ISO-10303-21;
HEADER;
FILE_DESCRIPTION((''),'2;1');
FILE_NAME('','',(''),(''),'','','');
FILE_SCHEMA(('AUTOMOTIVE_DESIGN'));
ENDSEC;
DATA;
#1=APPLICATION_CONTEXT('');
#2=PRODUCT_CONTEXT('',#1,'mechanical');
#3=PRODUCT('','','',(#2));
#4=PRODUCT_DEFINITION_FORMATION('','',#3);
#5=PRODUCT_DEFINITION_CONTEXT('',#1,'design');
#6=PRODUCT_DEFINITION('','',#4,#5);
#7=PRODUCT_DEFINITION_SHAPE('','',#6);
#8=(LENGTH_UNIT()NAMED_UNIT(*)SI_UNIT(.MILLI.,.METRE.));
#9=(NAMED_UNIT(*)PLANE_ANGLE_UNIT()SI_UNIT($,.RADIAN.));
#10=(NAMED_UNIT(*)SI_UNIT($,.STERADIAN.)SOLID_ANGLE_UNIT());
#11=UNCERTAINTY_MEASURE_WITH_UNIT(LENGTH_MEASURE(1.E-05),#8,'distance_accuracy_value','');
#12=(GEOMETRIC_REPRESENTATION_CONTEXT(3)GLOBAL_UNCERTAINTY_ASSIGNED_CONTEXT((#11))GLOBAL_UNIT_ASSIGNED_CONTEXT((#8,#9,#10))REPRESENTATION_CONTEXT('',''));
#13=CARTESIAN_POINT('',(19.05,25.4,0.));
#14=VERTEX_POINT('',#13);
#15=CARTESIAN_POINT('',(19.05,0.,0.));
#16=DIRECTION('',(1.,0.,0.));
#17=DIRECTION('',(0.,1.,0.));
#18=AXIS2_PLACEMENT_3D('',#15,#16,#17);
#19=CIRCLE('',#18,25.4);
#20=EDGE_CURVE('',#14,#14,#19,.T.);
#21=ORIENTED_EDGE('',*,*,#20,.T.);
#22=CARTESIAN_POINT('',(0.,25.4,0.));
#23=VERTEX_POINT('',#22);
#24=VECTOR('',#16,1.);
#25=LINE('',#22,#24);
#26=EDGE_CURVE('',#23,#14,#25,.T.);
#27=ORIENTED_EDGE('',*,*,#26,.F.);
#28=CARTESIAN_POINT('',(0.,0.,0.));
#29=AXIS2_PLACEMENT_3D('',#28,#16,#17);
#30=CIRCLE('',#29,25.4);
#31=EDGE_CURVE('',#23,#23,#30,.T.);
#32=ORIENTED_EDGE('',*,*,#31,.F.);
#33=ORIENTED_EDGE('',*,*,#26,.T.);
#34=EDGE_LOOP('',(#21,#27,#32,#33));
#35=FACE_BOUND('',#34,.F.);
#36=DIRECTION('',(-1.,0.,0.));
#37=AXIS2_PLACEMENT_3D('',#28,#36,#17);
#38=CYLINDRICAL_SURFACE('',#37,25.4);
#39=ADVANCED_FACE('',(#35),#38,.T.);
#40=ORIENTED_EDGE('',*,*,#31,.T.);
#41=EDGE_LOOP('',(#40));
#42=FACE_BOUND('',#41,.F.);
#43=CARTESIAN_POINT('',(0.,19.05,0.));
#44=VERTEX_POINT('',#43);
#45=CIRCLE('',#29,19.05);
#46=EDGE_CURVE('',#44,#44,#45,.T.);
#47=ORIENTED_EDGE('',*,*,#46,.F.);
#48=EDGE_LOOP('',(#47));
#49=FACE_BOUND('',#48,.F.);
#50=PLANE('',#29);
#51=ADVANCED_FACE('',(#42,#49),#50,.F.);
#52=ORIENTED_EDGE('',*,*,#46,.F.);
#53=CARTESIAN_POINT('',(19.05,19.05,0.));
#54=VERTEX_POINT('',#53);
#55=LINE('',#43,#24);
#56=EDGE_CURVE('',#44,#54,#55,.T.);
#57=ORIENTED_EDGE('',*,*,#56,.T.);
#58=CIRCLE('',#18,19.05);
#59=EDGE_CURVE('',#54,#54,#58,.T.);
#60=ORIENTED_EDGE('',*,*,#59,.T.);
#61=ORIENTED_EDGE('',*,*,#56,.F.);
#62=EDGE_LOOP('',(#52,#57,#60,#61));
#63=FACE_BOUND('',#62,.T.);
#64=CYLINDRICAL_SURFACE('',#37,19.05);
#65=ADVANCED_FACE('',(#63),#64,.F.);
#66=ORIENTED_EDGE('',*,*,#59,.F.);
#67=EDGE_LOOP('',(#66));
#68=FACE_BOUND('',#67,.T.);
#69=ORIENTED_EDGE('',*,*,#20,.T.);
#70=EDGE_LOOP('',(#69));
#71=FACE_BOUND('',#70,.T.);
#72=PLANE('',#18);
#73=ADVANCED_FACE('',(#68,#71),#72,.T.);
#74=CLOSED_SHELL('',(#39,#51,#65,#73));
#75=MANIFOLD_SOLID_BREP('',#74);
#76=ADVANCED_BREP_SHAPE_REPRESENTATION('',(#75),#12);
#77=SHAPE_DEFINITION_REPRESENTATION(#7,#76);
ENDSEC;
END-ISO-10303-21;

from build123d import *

# Parameters (mm, degrees)
SKETCH_R   = 25.4
SKETCH_R_2 = 19.05
PAD_DEPTH  = 19.05


with BuildPart() as part:
    # Sketch → Pad (new body)
    with BuildSketch(Plane.YZ):
        Circle(SKETCH_R)
        Circle(SKETCH_R_2, mode=Mode.SUBTRACT)
    extrude(amount=PAD_DEPTH)


solid = part.part
